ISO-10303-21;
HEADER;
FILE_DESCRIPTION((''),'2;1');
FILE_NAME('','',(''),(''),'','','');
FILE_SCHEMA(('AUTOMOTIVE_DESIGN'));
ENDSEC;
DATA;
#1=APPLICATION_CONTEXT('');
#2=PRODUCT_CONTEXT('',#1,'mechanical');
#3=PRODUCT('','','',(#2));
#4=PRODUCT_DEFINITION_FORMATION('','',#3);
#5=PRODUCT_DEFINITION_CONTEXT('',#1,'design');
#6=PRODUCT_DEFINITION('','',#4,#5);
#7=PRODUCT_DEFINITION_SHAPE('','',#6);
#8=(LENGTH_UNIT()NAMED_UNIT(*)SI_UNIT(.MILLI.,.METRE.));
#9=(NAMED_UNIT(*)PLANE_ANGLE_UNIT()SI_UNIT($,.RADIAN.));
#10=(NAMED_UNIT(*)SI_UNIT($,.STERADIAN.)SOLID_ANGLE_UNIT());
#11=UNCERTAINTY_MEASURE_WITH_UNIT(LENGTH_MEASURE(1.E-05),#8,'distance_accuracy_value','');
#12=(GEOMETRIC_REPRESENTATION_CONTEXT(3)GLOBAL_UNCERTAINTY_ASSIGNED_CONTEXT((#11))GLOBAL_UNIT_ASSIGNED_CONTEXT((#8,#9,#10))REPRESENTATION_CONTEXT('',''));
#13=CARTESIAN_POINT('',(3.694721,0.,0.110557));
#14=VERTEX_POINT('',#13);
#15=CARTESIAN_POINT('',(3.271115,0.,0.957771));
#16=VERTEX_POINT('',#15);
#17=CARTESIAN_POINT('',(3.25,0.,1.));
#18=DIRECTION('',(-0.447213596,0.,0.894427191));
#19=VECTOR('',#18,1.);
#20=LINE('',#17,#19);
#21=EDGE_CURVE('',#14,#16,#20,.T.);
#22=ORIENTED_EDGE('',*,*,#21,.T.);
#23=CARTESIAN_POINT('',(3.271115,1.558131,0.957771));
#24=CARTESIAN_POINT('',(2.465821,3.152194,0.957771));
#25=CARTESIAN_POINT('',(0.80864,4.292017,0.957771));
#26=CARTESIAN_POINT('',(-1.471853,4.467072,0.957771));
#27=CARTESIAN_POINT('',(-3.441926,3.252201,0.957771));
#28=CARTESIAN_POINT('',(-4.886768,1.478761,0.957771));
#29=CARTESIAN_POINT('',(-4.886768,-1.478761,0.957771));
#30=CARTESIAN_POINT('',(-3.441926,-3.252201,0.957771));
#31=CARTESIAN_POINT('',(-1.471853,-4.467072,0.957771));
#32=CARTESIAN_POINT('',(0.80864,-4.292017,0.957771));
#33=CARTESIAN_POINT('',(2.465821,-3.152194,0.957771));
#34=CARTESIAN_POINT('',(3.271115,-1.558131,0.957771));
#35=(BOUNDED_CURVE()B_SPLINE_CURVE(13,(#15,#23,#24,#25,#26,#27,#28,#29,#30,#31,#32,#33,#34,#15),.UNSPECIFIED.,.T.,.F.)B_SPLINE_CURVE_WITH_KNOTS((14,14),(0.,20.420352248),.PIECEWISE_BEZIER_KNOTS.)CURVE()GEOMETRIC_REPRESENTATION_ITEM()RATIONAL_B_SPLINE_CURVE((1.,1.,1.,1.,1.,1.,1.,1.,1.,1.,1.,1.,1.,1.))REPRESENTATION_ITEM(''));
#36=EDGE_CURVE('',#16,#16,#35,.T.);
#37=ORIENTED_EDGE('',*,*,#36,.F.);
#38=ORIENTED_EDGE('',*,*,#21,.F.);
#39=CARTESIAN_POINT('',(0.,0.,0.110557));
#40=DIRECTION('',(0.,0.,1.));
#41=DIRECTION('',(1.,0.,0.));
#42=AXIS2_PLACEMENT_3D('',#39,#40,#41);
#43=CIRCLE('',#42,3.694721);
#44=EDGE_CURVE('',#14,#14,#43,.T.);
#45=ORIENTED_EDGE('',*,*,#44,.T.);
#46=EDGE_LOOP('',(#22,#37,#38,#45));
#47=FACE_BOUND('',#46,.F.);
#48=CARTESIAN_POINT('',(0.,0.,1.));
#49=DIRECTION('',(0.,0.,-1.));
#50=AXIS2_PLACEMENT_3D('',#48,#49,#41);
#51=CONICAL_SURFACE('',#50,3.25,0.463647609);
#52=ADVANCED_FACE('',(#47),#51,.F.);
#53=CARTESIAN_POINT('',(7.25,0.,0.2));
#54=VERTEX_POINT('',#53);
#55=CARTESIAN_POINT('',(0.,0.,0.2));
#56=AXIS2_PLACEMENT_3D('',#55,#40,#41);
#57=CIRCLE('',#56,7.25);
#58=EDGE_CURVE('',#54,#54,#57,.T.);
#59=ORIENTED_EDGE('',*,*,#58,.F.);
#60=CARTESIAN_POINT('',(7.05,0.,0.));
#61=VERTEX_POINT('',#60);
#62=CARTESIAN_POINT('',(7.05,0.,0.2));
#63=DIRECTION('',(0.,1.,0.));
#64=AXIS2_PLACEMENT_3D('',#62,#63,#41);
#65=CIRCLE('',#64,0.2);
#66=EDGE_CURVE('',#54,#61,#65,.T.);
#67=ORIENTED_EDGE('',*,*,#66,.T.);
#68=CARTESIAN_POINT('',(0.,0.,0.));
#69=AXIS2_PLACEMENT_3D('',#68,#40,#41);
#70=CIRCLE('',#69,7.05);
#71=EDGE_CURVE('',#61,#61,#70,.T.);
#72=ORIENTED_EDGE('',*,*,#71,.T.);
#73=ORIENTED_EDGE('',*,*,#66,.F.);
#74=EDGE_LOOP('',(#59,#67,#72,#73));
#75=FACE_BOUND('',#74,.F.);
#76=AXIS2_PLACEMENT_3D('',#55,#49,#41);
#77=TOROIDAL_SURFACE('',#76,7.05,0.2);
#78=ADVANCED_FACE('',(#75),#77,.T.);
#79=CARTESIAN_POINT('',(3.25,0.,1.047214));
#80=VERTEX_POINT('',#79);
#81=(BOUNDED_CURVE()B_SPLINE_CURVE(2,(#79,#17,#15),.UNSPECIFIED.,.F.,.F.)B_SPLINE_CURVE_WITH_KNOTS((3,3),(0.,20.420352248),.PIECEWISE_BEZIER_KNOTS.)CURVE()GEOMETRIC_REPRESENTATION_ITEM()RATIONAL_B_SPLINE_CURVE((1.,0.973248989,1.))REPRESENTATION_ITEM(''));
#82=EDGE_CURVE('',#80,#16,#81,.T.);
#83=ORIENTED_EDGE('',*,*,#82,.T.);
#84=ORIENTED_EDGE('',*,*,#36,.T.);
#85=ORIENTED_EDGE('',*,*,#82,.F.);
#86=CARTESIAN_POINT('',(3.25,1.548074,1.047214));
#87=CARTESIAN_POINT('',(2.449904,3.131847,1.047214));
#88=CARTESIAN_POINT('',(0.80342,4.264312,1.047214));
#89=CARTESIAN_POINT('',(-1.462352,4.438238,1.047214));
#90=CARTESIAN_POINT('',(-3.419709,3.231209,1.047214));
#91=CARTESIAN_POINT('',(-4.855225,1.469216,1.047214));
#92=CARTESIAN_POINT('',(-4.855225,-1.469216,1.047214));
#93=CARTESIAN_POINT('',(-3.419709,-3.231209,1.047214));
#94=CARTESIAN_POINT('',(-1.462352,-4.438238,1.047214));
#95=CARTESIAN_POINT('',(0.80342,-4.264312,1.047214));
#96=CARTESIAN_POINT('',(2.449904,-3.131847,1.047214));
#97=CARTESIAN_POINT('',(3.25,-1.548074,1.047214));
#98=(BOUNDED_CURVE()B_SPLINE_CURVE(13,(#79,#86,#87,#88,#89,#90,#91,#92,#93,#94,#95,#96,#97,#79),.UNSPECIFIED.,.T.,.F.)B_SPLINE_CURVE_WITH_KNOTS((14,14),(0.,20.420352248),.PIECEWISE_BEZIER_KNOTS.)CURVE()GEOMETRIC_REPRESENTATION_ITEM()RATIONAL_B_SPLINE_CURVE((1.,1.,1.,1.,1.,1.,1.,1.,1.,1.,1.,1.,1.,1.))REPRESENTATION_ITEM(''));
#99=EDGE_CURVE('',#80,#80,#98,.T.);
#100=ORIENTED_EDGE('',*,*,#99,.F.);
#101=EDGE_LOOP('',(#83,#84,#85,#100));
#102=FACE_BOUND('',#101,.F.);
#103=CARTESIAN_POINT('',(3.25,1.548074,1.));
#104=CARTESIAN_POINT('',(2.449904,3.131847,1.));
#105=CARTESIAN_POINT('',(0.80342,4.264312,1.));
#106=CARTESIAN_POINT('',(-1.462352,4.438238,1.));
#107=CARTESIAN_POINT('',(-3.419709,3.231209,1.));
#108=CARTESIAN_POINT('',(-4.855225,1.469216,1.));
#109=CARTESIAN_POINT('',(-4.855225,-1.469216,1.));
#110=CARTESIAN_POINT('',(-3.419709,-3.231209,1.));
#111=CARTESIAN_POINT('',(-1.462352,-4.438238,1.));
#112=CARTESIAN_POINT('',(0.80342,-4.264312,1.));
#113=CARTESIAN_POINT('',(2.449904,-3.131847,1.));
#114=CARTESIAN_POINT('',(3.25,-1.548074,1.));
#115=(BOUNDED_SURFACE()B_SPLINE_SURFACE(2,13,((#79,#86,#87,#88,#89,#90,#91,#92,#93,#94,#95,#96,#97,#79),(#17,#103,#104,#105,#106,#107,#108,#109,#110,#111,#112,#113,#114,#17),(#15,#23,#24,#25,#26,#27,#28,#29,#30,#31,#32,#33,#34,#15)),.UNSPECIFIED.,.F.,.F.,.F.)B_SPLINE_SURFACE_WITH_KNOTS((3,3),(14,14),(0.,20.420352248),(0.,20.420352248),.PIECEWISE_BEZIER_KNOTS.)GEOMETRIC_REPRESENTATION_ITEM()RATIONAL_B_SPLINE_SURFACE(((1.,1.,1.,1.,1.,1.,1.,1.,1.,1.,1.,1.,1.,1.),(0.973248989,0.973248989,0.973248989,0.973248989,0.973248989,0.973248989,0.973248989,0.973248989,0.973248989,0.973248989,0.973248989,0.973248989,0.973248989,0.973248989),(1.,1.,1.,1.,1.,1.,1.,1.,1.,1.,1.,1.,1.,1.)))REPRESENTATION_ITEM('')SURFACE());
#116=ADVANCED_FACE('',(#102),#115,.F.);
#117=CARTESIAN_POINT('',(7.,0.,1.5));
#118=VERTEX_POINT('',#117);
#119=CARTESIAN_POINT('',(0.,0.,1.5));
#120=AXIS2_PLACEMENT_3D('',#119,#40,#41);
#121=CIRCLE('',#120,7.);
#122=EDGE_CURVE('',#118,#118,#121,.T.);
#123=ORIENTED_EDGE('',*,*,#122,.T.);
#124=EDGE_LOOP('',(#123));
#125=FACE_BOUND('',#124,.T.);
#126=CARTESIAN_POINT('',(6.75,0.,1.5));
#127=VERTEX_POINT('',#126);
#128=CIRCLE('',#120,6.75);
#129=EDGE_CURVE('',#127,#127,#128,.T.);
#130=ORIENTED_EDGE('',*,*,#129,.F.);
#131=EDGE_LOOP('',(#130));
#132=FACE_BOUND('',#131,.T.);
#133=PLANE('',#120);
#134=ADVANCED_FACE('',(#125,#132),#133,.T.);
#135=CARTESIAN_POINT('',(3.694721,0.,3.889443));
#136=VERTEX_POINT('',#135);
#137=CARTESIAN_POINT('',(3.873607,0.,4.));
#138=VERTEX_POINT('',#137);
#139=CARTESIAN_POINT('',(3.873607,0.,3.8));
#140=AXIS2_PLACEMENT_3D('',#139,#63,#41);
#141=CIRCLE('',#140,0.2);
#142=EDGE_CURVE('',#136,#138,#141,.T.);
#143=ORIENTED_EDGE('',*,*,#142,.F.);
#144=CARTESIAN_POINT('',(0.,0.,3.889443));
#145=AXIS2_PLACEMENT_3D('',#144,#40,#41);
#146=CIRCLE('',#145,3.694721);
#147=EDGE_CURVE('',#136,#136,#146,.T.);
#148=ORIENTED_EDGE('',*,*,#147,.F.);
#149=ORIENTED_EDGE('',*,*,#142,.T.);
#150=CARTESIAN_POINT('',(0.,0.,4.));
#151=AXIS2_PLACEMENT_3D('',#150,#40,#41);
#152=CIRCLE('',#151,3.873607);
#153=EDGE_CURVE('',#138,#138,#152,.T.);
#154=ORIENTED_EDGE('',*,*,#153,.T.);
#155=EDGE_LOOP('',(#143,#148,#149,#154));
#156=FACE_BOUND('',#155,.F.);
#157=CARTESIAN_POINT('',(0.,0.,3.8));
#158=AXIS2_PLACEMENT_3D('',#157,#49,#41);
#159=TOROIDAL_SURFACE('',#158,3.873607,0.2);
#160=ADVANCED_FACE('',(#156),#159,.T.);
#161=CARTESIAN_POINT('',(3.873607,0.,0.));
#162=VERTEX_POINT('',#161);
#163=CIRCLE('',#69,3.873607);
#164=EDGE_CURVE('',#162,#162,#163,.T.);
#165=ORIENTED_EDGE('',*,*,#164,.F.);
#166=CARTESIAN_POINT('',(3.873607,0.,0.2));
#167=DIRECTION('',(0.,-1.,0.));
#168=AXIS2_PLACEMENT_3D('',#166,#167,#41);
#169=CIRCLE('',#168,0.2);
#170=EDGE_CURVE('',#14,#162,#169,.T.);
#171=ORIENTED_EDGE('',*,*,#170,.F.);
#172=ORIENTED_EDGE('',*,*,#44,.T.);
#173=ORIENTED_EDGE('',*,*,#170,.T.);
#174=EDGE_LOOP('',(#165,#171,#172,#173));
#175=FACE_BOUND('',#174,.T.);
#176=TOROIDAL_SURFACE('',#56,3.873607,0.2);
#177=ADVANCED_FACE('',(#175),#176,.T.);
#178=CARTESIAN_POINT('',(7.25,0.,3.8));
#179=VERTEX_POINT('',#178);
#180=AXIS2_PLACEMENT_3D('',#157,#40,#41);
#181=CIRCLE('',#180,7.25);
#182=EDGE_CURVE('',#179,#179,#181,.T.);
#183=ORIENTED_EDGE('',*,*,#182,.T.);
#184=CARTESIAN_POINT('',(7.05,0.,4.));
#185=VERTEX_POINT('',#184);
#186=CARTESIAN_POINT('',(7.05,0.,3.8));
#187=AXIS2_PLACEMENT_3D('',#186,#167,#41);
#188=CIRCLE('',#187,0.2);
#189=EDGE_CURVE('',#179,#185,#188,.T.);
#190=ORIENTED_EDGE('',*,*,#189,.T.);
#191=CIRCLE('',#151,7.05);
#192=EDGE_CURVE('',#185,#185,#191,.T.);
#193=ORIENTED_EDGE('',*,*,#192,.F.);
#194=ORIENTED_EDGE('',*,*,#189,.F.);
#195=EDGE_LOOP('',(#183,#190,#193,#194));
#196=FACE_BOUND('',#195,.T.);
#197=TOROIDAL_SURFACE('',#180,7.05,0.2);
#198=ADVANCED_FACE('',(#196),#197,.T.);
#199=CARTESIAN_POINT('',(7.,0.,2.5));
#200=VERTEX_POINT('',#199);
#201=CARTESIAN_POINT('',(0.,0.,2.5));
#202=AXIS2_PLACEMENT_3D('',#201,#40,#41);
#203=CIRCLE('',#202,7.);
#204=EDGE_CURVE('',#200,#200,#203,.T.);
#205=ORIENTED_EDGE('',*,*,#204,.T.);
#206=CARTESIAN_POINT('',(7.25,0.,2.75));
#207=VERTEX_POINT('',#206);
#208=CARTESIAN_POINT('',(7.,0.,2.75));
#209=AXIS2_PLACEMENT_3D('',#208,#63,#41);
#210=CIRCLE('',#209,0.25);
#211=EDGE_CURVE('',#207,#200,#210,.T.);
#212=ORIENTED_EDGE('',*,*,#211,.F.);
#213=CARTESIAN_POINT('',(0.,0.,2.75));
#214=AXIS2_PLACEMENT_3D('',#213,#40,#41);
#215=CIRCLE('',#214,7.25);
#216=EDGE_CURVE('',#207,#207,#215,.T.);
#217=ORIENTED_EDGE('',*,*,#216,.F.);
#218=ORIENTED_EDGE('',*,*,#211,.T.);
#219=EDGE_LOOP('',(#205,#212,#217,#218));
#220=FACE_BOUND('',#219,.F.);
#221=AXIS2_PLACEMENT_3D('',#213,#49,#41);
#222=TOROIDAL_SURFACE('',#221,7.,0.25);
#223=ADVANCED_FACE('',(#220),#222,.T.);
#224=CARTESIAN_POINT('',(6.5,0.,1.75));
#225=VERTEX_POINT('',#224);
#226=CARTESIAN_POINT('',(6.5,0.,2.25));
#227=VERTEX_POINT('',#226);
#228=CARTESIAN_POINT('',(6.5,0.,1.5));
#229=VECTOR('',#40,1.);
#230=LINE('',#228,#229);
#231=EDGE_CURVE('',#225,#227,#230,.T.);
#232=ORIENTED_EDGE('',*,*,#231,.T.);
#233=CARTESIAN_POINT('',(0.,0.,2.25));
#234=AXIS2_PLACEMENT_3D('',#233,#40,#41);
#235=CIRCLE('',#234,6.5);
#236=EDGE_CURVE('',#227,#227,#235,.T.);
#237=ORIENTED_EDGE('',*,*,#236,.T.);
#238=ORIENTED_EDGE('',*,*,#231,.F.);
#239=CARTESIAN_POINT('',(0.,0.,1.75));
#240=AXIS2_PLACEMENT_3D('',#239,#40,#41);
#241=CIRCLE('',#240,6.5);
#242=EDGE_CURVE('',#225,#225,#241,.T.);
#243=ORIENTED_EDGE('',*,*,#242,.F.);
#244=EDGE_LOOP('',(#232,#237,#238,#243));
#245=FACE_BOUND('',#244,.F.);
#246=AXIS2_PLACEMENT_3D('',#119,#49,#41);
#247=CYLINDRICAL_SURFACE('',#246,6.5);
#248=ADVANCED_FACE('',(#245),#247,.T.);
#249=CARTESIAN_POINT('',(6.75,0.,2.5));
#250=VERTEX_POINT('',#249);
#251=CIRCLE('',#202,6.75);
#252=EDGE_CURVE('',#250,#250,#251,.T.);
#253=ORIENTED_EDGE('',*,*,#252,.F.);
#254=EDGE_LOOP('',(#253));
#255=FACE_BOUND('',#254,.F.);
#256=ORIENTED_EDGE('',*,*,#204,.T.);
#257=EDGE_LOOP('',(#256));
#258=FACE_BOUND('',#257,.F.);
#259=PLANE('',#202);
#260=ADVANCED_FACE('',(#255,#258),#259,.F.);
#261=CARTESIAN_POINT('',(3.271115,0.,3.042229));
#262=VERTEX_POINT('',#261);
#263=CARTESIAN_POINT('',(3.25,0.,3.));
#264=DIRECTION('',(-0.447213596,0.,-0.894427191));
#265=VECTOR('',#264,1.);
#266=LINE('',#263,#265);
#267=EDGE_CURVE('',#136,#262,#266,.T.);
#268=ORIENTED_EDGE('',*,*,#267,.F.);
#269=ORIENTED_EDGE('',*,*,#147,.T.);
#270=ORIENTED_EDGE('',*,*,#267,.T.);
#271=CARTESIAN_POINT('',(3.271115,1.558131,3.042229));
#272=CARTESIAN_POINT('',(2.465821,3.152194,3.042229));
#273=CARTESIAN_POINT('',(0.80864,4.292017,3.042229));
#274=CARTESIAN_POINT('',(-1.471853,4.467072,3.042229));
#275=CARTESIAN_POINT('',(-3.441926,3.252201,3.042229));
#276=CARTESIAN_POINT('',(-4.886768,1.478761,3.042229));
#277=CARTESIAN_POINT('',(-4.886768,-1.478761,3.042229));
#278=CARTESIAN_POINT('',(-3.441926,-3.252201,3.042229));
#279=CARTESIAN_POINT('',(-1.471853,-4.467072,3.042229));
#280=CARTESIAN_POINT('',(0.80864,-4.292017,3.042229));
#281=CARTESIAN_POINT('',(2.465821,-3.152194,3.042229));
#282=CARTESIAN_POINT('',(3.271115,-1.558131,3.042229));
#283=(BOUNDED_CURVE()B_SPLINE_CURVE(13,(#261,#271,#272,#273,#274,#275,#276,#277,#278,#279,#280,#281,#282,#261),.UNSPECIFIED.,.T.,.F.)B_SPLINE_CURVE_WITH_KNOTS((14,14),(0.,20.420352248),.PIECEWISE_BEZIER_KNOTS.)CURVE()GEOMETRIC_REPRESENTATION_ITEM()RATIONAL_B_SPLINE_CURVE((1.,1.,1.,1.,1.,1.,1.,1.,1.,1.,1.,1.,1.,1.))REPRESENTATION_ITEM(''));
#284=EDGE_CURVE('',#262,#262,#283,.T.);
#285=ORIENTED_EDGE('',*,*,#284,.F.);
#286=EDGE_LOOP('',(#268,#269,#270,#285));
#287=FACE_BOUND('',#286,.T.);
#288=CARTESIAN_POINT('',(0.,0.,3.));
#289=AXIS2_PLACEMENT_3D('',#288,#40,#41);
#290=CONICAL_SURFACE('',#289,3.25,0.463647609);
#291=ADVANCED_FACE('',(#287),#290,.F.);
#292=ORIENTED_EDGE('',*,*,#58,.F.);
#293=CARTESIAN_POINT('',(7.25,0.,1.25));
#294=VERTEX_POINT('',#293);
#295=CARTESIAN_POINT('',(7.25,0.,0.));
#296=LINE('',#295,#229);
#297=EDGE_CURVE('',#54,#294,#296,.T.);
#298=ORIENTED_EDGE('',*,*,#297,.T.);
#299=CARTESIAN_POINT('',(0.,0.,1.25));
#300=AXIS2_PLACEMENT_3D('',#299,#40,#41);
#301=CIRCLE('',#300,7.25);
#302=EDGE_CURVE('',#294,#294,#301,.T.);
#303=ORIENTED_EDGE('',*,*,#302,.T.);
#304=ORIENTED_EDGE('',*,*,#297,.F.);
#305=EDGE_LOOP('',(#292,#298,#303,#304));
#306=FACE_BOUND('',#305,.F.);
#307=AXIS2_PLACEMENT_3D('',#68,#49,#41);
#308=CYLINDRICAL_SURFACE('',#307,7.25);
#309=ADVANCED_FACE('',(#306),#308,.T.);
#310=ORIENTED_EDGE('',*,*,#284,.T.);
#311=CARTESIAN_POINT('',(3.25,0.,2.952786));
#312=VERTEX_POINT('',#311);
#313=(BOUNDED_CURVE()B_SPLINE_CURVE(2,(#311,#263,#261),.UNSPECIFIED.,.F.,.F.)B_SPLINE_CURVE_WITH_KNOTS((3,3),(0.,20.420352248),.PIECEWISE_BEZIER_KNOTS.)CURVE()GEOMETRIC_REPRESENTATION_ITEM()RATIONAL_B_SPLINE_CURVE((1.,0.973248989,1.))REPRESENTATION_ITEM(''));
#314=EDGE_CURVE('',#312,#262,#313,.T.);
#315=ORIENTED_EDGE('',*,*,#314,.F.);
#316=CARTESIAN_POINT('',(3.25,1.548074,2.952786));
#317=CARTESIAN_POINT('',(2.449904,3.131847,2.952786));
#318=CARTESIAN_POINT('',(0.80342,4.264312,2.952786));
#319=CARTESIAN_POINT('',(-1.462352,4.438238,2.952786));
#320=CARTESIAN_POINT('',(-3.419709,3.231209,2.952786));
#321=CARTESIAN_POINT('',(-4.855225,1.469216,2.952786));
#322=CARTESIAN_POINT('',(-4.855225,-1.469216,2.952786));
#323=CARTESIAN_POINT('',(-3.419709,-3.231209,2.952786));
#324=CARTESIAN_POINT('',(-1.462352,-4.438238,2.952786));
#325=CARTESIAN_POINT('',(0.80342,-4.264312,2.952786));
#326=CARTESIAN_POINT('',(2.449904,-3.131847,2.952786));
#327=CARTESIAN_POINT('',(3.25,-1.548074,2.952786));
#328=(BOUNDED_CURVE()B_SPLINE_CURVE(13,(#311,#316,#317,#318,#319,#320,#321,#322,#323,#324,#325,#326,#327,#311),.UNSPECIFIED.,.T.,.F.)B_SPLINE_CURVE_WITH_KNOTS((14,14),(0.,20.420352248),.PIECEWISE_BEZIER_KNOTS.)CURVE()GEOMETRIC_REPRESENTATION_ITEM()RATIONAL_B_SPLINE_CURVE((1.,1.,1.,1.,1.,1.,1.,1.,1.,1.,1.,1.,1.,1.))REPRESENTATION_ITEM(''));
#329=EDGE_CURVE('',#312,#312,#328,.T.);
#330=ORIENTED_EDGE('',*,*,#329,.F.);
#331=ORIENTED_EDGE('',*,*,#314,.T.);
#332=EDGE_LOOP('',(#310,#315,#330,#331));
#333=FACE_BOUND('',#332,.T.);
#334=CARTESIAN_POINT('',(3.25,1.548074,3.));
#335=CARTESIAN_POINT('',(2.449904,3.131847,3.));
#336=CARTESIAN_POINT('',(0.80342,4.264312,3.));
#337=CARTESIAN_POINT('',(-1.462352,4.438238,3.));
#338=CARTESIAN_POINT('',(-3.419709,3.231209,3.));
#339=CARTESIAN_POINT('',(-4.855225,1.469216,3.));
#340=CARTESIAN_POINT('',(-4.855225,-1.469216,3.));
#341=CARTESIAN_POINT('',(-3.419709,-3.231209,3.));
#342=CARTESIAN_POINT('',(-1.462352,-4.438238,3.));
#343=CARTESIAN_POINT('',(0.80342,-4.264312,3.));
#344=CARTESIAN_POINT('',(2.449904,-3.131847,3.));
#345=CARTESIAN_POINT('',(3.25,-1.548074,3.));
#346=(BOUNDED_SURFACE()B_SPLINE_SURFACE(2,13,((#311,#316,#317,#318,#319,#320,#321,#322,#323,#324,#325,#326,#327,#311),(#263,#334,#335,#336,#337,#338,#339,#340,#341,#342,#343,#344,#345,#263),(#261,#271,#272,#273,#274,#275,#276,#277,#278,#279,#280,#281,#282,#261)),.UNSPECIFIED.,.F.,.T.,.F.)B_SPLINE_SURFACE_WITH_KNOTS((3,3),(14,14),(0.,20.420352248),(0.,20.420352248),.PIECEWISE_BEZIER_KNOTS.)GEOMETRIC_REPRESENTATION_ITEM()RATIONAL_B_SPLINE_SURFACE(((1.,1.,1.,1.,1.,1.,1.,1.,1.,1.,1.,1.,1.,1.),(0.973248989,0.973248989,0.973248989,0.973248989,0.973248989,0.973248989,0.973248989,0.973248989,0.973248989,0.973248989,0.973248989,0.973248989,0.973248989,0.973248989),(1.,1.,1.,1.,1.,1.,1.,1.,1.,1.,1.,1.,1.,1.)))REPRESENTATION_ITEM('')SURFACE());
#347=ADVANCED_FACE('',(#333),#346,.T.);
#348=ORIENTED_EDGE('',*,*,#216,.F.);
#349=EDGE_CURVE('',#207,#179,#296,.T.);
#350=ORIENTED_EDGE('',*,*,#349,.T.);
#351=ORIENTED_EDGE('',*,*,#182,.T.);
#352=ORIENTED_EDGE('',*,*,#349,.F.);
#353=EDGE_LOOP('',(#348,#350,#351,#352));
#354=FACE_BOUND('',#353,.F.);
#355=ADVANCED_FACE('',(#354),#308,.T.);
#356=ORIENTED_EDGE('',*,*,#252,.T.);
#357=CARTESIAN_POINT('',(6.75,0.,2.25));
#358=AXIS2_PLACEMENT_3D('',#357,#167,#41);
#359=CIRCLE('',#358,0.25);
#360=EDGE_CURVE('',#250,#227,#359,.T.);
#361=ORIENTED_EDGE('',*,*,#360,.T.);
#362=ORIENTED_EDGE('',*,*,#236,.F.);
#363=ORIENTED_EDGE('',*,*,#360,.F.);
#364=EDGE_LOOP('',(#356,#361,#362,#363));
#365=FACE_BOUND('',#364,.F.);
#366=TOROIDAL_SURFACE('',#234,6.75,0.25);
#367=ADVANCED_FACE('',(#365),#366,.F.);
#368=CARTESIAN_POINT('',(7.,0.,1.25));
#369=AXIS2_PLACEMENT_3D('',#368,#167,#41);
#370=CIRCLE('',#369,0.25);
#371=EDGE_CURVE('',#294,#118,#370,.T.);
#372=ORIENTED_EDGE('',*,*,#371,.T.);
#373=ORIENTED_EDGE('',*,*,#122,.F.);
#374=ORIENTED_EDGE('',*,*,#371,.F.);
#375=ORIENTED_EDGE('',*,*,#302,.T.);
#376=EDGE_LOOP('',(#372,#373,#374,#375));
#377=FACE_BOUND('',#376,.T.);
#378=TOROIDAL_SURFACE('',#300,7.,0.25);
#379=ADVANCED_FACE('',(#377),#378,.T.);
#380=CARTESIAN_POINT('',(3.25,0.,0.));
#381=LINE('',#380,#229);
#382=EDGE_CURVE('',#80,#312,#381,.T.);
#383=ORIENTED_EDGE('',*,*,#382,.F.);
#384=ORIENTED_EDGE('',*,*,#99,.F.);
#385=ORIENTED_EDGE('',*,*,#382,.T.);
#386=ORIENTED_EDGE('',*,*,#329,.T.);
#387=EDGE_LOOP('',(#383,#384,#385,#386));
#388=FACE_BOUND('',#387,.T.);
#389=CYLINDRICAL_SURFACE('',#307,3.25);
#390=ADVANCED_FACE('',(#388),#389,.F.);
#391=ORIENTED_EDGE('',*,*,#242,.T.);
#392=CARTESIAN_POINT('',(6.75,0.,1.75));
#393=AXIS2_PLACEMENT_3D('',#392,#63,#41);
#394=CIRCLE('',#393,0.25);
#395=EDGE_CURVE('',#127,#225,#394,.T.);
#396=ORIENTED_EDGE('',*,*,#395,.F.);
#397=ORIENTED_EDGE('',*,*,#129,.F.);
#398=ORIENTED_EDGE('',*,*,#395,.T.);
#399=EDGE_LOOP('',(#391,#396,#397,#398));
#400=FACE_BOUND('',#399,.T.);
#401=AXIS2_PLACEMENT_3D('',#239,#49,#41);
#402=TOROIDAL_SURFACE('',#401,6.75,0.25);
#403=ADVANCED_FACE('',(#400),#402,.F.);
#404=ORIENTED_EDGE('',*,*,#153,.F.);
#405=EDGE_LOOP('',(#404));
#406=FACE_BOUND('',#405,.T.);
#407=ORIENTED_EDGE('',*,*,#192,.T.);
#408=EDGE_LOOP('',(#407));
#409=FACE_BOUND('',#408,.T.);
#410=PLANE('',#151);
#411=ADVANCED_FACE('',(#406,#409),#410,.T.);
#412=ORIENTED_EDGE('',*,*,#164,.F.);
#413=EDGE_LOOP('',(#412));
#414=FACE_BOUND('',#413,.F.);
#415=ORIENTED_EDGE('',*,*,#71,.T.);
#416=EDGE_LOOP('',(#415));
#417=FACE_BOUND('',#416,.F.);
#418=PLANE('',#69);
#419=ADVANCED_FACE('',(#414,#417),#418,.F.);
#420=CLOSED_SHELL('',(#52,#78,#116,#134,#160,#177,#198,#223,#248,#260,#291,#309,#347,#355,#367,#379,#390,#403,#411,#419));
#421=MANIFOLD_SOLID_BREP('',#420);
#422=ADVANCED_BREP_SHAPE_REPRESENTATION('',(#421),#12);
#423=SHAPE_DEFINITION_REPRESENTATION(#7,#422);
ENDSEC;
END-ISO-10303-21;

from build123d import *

# Parameters (mm, degrees)
F0_R       = 7.25
F0_R_2     = 6.5
F0_R_3     = 3.25
F1_DEPTH   = 4
F2_R       = 0.2
F3_SIZE2   = 1
F3_SIZE    = 0.5
F3_2_SIZE2 = 1
F3_2_SIZE  = 0.5
F4_R       = 0.2
F5_START   = 1.5
F5_DEPTH   = 1
F6_R       = 0.25


with BuildPart() as f1:
    # F0 (on Top) → F1 (new body)
    with BuildSketch(Plane.XY):
        Circle(F0_R)
        Circle(F0_R_2, mode=Mode.SUBTRACT)
        Circle(F0_R_2)
        Circle(F0_R_3, mode=Mode.SUBTRACT)
    extrude(amount=F1_DEPTH)

    # F2
    f2_edges = [f1.edges().sort_by_distance(p)[0] for p in [
        (-7.25, 0, 4),
        (-7.25, 0, 0),
    ]]
    fillet(f2_edges, radius=F2_R)

    # F3
    f3_edges = [f1.edges().sort_by_distance(p)[0] for p in [
        (-3.25, 0, 4),
    ]]
    f3_side = f1.faces().sort_by_distance((-6.850596, 0, 4))[0]
    chamfer(f3_edges, length=F3_SIZE, length2=F3_SIZE2, reference=f3_side)

    # F3#2
    f3_2_edges = [f1.edges().sort_by_distance(p)[0] for p in [
        (-3.25, 0, 0),
    ]]
    f3_2_side = f1.faces().sort_by_distance((-6.850596, 0, 0))[0]
    chamfer(f3_2_edges, length=F3_2_SIZE, length2=F3_2_SIZE2, reference=f3_2_side)

    # F4
    f4_edges = [f1.edges().sort_by_distance(p)[0] for p in [
        (-3.75, 0, 4),
        (-3.25, 0, 3),
        (-3.25, 0, 1),
        (3.5, 0, 0.5),
        (-3.75, 0, 0),
    ]]
    fillet(f4_edges, radius=F4_R)

    # F0 (on Top) → F5 (cut)
    with BuildSketch(Plane.XY.offset(F5_START)):
        Circle(F0_R)
        Circle(F0_R_2, mode=Mode.SUBTRACT)
    extrude(amount=F5_DEPTH, mode=Mode.SUBTRACT)

    # F6
    f6_edges = [f1.edges().sort_by_distance(p)[0] for p in [
        (-7.25, 0, 2.5),
        (-7.25, 0, 1.5),
        (-6.5, 0, 1.5),
        (-6.5, 0, 2.5),
    ]]
    fillet(f6_edges, radius=F6_R)


solid = f1.part
